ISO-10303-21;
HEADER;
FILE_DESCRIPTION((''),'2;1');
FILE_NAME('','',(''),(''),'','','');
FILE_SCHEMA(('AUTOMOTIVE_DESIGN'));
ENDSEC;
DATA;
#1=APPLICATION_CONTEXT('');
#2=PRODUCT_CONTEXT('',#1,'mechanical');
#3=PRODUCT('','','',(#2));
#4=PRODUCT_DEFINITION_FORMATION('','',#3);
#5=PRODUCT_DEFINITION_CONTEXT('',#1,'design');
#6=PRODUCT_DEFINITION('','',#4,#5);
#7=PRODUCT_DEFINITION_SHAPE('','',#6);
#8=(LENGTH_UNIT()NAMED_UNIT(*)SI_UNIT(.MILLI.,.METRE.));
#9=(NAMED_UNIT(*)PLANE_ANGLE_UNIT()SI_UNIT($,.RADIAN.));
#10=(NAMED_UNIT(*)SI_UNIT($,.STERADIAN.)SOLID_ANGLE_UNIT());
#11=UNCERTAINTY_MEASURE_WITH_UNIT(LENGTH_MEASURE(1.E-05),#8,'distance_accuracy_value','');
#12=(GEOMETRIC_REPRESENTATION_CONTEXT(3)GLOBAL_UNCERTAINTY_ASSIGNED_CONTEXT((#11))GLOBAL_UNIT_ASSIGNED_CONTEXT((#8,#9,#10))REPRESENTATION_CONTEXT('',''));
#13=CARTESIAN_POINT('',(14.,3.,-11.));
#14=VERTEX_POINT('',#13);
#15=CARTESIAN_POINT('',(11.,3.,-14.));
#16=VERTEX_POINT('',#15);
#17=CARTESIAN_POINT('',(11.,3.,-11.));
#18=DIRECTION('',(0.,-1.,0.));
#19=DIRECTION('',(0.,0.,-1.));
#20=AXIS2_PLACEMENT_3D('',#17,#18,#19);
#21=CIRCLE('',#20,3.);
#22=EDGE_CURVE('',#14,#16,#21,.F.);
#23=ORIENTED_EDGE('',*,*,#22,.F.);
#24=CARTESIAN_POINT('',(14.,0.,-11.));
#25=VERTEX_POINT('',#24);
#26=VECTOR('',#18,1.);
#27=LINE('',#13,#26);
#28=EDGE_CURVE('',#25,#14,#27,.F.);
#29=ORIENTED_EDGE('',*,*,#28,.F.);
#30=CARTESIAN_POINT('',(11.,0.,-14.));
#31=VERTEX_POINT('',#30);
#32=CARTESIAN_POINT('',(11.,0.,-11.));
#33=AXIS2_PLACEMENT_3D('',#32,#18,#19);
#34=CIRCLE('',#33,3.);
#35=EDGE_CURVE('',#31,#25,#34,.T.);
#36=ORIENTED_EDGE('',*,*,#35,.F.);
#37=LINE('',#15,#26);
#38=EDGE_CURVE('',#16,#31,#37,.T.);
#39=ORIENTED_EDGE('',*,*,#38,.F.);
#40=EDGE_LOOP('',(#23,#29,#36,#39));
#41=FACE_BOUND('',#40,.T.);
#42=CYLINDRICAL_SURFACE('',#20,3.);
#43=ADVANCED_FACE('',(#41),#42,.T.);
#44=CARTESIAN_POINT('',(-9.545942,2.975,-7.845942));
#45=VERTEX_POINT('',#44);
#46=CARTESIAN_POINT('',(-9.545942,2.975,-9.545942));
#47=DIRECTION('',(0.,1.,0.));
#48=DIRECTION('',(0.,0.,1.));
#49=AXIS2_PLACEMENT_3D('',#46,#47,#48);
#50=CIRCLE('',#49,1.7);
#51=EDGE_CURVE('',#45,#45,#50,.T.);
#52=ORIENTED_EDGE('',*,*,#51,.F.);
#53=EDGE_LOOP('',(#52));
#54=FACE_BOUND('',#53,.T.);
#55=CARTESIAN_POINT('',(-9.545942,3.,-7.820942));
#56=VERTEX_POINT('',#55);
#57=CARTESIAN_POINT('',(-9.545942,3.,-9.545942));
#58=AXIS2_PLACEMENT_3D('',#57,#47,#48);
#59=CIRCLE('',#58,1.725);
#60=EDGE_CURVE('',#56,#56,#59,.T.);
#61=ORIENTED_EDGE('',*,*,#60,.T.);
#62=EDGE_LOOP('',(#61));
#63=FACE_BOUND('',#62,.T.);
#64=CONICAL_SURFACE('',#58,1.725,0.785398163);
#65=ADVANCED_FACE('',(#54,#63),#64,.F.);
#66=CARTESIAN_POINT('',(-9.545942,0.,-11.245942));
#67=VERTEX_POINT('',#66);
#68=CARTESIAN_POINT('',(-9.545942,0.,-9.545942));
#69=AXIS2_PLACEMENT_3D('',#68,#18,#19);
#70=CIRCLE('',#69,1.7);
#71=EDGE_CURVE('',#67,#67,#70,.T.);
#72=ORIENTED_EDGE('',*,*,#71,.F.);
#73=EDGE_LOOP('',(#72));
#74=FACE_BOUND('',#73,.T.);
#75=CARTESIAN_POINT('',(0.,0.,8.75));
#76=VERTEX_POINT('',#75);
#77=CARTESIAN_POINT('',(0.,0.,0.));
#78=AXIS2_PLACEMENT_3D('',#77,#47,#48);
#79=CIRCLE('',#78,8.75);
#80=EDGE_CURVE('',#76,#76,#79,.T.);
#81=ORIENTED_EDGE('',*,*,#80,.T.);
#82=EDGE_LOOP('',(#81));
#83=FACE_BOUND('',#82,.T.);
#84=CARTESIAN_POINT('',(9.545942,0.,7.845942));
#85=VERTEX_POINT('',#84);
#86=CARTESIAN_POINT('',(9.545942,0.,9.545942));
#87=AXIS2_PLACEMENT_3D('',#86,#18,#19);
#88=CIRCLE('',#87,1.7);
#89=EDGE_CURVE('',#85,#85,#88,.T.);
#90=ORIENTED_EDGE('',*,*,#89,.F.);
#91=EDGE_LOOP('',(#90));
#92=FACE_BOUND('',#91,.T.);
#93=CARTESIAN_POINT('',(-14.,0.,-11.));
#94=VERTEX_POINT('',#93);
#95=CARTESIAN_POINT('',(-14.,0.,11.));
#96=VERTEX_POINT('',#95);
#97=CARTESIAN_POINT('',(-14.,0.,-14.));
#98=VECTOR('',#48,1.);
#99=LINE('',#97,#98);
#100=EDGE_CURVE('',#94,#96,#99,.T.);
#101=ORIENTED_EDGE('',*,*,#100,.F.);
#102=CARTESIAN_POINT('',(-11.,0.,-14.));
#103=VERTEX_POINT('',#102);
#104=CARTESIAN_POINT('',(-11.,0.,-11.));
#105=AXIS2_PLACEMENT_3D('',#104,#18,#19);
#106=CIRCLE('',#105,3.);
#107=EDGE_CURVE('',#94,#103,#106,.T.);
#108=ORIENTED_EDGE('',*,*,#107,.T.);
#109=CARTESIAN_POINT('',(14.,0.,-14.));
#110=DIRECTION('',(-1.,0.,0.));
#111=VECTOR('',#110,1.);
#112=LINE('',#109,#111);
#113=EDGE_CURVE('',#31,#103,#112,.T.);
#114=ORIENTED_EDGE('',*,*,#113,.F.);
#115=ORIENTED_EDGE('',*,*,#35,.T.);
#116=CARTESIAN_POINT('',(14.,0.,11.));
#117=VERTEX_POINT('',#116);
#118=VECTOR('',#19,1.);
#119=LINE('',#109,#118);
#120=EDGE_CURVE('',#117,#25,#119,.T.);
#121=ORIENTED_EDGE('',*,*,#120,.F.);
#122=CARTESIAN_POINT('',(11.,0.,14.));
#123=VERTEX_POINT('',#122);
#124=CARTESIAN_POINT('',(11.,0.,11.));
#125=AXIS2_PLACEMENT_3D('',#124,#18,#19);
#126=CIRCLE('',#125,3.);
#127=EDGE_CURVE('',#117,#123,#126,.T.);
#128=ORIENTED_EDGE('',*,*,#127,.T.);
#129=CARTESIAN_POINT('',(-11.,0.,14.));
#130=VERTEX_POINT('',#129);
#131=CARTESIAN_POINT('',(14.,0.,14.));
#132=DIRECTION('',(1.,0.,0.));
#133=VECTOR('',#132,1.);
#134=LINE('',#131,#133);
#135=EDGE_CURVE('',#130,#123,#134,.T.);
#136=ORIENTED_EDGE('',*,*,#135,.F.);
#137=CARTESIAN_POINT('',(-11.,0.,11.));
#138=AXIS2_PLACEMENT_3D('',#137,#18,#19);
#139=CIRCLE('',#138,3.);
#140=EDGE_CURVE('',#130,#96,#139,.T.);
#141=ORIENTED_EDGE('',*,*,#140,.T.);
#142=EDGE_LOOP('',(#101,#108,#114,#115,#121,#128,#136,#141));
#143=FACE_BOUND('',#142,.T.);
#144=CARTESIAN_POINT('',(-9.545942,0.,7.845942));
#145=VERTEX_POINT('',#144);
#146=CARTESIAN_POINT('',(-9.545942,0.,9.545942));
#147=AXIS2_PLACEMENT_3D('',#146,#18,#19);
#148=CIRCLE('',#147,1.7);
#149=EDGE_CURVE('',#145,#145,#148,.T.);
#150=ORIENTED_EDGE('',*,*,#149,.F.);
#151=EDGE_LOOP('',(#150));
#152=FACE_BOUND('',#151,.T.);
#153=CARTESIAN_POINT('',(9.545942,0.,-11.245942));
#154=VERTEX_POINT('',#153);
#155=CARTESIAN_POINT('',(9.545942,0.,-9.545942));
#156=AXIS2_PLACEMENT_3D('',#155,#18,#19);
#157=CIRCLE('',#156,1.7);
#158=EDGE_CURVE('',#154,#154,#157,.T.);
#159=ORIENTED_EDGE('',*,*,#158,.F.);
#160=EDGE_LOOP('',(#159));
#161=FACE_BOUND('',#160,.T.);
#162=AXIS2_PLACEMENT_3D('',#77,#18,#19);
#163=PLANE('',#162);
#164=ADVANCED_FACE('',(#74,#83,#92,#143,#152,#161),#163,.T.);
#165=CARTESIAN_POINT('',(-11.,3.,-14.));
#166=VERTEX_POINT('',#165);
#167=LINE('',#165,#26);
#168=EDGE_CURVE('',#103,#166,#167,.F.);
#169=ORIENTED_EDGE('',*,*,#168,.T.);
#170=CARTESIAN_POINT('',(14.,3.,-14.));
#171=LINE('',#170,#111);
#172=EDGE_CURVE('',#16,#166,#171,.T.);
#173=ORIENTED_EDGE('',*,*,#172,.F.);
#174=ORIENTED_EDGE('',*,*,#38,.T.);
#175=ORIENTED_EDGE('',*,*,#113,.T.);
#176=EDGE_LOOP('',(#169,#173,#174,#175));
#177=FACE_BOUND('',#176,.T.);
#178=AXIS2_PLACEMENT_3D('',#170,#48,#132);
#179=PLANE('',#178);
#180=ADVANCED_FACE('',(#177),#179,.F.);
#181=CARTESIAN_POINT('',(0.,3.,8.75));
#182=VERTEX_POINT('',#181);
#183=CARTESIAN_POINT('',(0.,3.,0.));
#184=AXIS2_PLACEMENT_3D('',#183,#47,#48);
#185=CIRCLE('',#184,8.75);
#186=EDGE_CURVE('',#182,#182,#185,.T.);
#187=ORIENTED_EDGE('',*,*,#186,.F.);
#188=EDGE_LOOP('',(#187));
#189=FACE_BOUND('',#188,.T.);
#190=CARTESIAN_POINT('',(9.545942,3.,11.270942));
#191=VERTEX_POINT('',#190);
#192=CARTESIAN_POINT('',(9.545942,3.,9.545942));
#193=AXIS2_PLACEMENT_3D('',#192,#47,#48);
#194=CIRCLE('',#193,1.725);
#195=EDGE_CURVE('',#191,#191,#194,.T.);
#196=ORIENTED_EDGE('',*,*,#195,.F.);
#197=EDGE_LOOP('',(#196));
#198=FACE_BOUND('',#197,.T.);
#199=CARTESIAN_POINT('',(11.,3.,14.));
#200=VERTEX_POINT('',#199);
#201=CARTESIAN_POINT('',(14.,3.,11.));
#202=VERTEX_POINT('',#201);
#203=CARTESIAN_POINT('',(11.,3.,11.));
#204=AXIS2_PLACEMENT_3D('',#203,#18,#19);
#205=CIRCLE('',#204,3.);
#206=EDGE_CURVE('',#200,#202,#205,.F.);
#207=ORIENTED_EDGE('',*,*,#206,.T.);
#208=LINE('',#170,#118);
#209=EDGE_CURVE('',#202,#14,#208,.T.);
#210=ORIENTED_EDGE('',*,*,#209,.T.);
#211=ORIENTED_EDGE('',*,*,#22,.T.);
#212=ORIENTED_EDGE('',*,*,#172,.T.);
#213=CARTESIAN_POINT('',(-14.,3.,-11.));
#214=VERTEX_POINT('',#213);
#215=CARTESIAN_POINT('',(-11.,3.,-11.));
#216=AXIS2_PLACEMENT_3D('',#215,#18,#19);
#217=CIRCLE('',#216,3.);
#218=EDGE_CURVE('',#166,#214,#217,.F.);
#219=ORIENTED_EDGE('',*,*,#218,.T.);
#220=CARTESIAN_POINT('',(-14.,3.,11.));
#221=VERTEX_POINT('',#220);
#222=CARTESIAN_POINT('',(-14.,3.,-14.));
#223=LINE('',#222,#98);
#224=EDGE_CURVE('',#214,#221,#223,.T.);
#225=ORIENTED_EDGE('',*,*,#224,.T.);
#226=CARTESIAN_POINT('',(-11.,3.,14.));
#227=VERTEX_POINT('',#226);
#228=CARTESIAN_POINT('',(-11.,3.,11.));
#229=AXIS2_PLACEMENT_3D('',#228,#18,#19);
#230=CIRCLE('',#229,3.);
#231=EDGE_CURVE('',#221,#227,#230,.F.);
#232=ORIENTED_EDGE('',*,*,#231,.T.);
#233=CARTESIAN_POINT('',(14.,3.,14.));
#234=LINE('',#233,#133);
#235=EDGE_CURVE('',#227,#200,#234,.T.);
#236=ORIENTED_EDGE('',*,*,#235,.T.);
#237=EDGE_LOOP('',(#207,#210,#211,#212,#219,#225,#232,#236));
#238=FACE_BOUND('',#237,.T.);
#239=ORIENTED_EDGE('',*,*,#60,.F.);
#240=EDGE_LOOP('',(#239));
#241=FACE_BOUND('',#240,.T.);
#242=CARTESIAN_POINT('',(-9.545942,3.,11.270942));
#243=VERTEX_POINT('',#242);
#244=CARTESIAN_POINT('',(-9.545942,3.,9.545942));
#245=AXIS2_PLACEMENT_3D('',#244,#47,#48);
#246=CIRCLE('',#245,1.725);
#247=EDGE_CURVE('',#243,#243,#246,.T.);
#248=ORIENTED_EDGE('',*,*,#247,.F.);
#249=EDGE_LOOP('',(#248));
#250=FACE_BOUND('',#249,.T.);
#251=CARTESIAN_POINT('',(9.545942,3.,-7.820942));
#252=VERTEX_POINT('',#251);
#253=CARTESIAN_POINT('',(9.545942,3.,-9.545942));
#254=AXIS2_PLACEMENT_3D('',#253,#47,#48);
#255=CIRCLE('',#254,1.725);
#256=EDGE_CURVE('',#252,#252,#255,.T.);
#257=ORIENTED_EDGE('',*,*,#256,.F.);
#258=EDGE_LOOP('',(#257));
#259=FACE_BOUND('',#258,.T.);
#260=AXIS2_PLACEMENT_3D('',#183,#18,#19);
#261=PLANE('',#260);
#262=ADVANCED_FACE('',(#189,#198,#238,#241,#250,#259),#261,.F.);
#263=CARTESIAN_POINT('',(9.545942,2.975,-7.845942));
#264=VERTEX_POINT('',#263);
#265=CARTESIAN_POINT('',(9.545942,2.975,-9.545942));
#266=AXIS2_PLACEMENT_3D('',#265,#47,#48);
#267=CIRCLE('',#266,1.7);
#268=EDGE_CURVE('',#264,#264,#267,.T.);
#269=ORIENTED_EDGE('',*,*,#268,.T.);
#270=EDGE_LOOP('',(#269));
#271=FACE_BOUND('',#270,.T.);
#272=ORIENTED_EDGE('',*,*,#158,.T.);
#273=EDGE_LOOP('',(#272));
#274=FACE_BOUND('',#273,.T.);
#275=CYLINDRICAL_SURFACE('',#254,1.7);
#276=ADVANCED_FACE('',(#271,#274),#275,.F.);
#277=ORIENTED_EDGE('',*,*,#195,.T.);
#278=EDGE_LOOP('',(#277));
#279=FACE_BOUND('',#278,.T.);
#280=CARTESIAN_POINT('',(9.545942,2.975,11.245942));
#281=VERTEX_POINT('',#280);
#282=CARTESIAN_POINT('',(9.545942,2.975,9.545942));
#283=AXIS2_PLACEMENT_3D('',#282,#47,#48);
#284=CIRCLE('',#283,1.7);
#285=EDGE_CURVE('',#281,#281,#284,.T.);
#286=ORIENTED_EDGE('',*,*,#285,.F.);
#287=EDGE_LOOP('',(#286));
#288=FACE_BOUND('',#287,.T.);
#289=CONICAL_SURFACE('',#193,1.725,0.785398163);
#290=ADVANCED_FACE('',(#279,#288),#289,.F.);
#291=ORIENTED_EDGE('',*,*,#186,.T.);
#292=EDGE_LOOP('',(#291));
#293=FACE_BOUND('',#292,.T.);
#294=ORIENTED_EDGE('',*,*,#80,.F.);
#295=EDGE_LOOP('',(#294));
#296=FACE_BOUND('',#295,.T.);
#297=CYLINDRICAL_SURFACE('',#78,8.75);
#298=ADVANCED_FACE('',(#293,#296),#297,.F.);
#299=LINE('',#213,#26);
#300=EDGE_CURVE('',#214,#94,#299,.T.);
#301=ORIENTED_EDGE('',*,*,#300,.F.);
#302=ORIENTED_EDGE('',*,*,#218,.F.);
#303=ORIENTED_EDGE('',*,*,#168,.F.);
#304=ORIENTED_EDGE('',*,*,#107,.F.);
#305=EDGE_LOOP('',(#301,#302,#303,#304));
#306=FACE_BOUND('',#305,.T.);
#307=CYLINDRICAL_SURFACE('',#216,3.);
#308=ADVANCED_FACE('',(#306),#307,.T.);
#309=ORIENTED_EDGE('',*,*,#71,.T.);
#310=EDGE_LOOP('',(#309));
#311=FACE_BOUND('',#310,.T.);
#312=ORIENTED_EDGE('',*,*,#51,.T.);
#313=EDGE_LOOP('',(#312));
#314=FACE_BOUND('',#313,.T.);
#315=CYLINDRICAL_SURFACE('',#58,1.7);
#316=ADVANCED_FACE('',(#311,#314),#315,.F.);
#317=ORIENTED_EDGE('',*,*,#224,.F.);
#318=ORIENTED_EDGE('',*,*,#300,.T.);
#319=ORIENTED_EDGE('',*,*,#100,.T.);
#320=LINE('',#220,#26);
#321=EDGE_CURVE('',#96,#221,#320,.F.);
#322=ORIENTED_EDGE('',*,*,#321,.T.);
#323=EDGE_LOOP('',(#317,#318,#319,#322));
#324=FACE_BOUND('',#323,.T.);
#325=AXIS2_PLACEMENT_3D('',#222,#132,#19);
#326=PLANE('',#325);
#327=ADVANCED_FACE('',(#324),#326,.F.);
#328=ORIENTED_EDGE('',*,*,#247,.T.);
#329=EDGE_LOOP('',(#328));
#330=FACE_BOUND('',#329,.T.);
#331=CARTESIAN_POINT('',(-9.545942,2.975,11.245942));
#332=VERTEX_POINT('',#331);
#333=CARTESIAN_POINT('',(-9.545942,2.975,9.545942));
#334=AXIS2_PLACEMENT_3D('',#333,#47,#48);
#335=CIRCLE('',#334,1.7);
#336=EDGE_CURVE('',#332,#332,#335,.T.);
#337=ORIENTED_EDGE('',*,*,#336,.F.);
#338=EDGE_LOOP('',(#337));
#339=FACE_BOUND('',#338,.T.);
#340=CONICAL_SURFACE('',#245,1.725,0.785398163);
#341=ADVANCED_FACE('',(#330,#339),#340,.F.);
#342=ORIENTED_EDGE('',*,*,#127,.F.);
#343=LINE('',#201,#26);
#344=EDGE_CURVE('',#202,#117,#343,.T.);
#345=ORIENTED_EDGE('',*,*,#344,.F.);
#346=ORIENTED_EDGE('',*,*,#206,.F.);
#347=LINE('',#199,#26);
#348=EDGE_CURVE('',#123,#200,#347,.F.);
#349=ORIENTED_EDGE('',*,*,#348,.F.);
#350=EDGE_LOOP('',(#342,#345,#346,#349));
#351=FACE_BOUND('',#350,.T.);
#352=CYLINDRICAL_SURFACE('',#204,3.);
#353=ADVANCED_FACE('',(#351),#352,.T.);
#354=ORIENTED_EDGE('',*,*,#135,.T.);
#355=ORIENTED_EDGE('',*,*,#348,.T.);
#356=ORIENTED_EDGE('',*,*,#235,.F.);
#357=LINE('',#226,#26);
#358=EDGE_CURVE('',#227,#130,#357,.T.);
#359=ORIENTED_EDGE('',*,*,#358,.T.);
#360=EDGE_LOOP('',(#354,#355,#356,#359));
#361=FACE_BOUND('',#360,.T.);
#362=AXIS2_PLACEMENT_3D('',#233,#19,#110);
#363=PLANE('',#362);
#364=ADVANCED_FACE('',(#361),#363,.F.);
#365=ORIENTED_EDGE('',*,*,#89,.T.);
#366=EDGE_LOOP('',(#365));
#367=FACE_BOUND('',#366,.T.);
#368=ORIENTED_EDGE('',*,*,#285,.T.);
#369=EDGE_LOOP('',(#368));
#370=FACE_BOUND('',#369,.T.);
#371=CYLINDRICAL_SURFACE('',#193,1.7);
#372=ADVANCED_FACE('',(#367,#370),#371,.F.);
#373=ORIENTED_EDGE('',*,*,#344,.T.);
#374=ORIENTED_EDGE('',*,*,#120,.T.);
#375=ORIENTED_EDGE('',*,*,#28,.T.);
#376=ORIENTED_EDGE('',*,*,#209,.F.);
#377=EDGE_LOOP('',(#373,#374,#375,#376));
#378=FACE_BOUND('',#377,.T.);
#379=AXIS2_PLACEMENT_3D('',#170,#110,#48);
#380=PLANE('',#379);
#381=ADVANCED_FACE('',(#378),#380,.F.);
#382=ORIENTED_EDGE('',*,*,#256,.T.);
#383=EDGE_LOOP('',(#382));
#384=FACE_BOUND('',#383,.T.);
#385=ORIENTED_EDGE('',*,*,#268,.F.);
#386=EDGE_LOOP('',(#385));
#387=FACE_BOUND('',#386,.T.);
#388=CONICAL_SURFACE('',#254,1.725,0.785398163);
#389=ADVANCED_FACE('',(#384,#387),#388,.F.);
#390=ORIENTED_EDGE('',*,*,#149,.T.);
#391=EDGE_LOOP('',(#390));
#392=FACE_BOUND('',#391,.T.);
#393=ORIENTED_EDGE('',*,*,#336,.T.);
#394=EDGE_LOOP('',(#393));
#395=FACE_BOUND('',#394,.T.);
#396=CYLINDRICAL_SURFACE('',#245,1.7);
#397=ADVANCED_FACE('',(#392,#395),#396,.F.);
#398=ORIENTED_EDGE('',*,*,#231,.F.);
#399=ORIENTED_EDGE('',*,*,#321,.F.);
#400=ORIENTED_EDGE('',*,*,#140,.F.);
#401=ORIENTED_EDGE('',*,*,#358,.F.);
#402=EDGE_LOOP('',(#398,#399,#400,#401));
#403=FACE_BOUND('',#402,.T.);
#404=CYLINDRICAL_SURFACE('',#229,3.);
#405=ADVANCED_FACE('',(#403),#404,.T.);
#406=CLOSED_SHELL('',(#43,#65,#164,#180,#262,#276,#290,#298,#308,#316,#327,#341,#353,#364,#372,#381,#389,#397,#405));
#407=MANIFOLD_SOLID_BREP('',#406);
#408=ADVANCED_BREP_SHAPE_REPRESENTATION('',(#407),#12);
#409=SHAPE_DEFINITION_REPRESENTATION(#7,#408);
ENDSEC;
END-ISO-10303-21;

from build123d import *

# Parameters (mm, degrees)
SKETCH1_W                      = 28
SKETCH1_H                      = 28
BOSS_EXTRUDE1_DEPTH            = 3
SKETCH2_R                      = 8.75
CUT_EXTRUDE1_DEPTH             = 21.024984395
M3_CLEARANCE_HOLE1_D           = 3.4
M3_CLEARANCE_HOLE1_CSINK_D     = 3.45
M3_CLEARANCE_HOLE1_CSINK_ANGLE = 90
FILLET1_R                      = 3


with BuildPart() as part:
    # Sketch1 → Boss-Extrude1 (new body)
    with BuildSketch(Plane(origin=(0, 0, 0), x_dir=(1, 0, 0), z_dir=(0, 1, 0))):
        Rectangle(SKETCH1_W, SKETCH1_H)
    extrude(amount=BOSS_EXTRUDE1_DEPTH)

    # Sketch2 → Cut-Extrude1 (cut, through all)
    with BuildSketch(Plane(origin=(0, 3, 0), x_dir=(1, 0, 0), z_dir=(0, 1, 0))):
        with Locations(Location((0, 0, 0), (0, 0, 270))):
            Circle(SKETCH2_R)
    extrude(amount=-CUT_EXTRUDE1_DEPTH, mode=Mode.SUBTRACT)

    # M3 Clearance Hole1 (through all)
    with Locations(Plane(origin=(0, 3, 0), x_dir=(1, 0, 0), z_dir=(0, 1, 0))):
        with Locations((-9.545941546, 9.545941546), (9.545941546, 9.545941546), (9.545941546, -9.545941546), (-9.545941546, -9.545941546)):
            CounterSinkHole(M3_CLEARANCE_HOLE1_D / 2, M3_CLEARANCE_HOLE1_CSINK_D / 2, counter_sink_angle=M3_CLEARANCE_HOLE1_CSINK_ANGLE)

    # Fillet1
    fillet1_edges = [part.edges().sort_by_distance(p)[0] for p in [
        (-14, 1.5, -14),
        (14, 1.5, -14),
        (14, 1.5, 14),
        (-14, 1.5, 14),
    ]]
    fillet(fillet1_edges, radius=FILLET1_R)


solid = part.part
